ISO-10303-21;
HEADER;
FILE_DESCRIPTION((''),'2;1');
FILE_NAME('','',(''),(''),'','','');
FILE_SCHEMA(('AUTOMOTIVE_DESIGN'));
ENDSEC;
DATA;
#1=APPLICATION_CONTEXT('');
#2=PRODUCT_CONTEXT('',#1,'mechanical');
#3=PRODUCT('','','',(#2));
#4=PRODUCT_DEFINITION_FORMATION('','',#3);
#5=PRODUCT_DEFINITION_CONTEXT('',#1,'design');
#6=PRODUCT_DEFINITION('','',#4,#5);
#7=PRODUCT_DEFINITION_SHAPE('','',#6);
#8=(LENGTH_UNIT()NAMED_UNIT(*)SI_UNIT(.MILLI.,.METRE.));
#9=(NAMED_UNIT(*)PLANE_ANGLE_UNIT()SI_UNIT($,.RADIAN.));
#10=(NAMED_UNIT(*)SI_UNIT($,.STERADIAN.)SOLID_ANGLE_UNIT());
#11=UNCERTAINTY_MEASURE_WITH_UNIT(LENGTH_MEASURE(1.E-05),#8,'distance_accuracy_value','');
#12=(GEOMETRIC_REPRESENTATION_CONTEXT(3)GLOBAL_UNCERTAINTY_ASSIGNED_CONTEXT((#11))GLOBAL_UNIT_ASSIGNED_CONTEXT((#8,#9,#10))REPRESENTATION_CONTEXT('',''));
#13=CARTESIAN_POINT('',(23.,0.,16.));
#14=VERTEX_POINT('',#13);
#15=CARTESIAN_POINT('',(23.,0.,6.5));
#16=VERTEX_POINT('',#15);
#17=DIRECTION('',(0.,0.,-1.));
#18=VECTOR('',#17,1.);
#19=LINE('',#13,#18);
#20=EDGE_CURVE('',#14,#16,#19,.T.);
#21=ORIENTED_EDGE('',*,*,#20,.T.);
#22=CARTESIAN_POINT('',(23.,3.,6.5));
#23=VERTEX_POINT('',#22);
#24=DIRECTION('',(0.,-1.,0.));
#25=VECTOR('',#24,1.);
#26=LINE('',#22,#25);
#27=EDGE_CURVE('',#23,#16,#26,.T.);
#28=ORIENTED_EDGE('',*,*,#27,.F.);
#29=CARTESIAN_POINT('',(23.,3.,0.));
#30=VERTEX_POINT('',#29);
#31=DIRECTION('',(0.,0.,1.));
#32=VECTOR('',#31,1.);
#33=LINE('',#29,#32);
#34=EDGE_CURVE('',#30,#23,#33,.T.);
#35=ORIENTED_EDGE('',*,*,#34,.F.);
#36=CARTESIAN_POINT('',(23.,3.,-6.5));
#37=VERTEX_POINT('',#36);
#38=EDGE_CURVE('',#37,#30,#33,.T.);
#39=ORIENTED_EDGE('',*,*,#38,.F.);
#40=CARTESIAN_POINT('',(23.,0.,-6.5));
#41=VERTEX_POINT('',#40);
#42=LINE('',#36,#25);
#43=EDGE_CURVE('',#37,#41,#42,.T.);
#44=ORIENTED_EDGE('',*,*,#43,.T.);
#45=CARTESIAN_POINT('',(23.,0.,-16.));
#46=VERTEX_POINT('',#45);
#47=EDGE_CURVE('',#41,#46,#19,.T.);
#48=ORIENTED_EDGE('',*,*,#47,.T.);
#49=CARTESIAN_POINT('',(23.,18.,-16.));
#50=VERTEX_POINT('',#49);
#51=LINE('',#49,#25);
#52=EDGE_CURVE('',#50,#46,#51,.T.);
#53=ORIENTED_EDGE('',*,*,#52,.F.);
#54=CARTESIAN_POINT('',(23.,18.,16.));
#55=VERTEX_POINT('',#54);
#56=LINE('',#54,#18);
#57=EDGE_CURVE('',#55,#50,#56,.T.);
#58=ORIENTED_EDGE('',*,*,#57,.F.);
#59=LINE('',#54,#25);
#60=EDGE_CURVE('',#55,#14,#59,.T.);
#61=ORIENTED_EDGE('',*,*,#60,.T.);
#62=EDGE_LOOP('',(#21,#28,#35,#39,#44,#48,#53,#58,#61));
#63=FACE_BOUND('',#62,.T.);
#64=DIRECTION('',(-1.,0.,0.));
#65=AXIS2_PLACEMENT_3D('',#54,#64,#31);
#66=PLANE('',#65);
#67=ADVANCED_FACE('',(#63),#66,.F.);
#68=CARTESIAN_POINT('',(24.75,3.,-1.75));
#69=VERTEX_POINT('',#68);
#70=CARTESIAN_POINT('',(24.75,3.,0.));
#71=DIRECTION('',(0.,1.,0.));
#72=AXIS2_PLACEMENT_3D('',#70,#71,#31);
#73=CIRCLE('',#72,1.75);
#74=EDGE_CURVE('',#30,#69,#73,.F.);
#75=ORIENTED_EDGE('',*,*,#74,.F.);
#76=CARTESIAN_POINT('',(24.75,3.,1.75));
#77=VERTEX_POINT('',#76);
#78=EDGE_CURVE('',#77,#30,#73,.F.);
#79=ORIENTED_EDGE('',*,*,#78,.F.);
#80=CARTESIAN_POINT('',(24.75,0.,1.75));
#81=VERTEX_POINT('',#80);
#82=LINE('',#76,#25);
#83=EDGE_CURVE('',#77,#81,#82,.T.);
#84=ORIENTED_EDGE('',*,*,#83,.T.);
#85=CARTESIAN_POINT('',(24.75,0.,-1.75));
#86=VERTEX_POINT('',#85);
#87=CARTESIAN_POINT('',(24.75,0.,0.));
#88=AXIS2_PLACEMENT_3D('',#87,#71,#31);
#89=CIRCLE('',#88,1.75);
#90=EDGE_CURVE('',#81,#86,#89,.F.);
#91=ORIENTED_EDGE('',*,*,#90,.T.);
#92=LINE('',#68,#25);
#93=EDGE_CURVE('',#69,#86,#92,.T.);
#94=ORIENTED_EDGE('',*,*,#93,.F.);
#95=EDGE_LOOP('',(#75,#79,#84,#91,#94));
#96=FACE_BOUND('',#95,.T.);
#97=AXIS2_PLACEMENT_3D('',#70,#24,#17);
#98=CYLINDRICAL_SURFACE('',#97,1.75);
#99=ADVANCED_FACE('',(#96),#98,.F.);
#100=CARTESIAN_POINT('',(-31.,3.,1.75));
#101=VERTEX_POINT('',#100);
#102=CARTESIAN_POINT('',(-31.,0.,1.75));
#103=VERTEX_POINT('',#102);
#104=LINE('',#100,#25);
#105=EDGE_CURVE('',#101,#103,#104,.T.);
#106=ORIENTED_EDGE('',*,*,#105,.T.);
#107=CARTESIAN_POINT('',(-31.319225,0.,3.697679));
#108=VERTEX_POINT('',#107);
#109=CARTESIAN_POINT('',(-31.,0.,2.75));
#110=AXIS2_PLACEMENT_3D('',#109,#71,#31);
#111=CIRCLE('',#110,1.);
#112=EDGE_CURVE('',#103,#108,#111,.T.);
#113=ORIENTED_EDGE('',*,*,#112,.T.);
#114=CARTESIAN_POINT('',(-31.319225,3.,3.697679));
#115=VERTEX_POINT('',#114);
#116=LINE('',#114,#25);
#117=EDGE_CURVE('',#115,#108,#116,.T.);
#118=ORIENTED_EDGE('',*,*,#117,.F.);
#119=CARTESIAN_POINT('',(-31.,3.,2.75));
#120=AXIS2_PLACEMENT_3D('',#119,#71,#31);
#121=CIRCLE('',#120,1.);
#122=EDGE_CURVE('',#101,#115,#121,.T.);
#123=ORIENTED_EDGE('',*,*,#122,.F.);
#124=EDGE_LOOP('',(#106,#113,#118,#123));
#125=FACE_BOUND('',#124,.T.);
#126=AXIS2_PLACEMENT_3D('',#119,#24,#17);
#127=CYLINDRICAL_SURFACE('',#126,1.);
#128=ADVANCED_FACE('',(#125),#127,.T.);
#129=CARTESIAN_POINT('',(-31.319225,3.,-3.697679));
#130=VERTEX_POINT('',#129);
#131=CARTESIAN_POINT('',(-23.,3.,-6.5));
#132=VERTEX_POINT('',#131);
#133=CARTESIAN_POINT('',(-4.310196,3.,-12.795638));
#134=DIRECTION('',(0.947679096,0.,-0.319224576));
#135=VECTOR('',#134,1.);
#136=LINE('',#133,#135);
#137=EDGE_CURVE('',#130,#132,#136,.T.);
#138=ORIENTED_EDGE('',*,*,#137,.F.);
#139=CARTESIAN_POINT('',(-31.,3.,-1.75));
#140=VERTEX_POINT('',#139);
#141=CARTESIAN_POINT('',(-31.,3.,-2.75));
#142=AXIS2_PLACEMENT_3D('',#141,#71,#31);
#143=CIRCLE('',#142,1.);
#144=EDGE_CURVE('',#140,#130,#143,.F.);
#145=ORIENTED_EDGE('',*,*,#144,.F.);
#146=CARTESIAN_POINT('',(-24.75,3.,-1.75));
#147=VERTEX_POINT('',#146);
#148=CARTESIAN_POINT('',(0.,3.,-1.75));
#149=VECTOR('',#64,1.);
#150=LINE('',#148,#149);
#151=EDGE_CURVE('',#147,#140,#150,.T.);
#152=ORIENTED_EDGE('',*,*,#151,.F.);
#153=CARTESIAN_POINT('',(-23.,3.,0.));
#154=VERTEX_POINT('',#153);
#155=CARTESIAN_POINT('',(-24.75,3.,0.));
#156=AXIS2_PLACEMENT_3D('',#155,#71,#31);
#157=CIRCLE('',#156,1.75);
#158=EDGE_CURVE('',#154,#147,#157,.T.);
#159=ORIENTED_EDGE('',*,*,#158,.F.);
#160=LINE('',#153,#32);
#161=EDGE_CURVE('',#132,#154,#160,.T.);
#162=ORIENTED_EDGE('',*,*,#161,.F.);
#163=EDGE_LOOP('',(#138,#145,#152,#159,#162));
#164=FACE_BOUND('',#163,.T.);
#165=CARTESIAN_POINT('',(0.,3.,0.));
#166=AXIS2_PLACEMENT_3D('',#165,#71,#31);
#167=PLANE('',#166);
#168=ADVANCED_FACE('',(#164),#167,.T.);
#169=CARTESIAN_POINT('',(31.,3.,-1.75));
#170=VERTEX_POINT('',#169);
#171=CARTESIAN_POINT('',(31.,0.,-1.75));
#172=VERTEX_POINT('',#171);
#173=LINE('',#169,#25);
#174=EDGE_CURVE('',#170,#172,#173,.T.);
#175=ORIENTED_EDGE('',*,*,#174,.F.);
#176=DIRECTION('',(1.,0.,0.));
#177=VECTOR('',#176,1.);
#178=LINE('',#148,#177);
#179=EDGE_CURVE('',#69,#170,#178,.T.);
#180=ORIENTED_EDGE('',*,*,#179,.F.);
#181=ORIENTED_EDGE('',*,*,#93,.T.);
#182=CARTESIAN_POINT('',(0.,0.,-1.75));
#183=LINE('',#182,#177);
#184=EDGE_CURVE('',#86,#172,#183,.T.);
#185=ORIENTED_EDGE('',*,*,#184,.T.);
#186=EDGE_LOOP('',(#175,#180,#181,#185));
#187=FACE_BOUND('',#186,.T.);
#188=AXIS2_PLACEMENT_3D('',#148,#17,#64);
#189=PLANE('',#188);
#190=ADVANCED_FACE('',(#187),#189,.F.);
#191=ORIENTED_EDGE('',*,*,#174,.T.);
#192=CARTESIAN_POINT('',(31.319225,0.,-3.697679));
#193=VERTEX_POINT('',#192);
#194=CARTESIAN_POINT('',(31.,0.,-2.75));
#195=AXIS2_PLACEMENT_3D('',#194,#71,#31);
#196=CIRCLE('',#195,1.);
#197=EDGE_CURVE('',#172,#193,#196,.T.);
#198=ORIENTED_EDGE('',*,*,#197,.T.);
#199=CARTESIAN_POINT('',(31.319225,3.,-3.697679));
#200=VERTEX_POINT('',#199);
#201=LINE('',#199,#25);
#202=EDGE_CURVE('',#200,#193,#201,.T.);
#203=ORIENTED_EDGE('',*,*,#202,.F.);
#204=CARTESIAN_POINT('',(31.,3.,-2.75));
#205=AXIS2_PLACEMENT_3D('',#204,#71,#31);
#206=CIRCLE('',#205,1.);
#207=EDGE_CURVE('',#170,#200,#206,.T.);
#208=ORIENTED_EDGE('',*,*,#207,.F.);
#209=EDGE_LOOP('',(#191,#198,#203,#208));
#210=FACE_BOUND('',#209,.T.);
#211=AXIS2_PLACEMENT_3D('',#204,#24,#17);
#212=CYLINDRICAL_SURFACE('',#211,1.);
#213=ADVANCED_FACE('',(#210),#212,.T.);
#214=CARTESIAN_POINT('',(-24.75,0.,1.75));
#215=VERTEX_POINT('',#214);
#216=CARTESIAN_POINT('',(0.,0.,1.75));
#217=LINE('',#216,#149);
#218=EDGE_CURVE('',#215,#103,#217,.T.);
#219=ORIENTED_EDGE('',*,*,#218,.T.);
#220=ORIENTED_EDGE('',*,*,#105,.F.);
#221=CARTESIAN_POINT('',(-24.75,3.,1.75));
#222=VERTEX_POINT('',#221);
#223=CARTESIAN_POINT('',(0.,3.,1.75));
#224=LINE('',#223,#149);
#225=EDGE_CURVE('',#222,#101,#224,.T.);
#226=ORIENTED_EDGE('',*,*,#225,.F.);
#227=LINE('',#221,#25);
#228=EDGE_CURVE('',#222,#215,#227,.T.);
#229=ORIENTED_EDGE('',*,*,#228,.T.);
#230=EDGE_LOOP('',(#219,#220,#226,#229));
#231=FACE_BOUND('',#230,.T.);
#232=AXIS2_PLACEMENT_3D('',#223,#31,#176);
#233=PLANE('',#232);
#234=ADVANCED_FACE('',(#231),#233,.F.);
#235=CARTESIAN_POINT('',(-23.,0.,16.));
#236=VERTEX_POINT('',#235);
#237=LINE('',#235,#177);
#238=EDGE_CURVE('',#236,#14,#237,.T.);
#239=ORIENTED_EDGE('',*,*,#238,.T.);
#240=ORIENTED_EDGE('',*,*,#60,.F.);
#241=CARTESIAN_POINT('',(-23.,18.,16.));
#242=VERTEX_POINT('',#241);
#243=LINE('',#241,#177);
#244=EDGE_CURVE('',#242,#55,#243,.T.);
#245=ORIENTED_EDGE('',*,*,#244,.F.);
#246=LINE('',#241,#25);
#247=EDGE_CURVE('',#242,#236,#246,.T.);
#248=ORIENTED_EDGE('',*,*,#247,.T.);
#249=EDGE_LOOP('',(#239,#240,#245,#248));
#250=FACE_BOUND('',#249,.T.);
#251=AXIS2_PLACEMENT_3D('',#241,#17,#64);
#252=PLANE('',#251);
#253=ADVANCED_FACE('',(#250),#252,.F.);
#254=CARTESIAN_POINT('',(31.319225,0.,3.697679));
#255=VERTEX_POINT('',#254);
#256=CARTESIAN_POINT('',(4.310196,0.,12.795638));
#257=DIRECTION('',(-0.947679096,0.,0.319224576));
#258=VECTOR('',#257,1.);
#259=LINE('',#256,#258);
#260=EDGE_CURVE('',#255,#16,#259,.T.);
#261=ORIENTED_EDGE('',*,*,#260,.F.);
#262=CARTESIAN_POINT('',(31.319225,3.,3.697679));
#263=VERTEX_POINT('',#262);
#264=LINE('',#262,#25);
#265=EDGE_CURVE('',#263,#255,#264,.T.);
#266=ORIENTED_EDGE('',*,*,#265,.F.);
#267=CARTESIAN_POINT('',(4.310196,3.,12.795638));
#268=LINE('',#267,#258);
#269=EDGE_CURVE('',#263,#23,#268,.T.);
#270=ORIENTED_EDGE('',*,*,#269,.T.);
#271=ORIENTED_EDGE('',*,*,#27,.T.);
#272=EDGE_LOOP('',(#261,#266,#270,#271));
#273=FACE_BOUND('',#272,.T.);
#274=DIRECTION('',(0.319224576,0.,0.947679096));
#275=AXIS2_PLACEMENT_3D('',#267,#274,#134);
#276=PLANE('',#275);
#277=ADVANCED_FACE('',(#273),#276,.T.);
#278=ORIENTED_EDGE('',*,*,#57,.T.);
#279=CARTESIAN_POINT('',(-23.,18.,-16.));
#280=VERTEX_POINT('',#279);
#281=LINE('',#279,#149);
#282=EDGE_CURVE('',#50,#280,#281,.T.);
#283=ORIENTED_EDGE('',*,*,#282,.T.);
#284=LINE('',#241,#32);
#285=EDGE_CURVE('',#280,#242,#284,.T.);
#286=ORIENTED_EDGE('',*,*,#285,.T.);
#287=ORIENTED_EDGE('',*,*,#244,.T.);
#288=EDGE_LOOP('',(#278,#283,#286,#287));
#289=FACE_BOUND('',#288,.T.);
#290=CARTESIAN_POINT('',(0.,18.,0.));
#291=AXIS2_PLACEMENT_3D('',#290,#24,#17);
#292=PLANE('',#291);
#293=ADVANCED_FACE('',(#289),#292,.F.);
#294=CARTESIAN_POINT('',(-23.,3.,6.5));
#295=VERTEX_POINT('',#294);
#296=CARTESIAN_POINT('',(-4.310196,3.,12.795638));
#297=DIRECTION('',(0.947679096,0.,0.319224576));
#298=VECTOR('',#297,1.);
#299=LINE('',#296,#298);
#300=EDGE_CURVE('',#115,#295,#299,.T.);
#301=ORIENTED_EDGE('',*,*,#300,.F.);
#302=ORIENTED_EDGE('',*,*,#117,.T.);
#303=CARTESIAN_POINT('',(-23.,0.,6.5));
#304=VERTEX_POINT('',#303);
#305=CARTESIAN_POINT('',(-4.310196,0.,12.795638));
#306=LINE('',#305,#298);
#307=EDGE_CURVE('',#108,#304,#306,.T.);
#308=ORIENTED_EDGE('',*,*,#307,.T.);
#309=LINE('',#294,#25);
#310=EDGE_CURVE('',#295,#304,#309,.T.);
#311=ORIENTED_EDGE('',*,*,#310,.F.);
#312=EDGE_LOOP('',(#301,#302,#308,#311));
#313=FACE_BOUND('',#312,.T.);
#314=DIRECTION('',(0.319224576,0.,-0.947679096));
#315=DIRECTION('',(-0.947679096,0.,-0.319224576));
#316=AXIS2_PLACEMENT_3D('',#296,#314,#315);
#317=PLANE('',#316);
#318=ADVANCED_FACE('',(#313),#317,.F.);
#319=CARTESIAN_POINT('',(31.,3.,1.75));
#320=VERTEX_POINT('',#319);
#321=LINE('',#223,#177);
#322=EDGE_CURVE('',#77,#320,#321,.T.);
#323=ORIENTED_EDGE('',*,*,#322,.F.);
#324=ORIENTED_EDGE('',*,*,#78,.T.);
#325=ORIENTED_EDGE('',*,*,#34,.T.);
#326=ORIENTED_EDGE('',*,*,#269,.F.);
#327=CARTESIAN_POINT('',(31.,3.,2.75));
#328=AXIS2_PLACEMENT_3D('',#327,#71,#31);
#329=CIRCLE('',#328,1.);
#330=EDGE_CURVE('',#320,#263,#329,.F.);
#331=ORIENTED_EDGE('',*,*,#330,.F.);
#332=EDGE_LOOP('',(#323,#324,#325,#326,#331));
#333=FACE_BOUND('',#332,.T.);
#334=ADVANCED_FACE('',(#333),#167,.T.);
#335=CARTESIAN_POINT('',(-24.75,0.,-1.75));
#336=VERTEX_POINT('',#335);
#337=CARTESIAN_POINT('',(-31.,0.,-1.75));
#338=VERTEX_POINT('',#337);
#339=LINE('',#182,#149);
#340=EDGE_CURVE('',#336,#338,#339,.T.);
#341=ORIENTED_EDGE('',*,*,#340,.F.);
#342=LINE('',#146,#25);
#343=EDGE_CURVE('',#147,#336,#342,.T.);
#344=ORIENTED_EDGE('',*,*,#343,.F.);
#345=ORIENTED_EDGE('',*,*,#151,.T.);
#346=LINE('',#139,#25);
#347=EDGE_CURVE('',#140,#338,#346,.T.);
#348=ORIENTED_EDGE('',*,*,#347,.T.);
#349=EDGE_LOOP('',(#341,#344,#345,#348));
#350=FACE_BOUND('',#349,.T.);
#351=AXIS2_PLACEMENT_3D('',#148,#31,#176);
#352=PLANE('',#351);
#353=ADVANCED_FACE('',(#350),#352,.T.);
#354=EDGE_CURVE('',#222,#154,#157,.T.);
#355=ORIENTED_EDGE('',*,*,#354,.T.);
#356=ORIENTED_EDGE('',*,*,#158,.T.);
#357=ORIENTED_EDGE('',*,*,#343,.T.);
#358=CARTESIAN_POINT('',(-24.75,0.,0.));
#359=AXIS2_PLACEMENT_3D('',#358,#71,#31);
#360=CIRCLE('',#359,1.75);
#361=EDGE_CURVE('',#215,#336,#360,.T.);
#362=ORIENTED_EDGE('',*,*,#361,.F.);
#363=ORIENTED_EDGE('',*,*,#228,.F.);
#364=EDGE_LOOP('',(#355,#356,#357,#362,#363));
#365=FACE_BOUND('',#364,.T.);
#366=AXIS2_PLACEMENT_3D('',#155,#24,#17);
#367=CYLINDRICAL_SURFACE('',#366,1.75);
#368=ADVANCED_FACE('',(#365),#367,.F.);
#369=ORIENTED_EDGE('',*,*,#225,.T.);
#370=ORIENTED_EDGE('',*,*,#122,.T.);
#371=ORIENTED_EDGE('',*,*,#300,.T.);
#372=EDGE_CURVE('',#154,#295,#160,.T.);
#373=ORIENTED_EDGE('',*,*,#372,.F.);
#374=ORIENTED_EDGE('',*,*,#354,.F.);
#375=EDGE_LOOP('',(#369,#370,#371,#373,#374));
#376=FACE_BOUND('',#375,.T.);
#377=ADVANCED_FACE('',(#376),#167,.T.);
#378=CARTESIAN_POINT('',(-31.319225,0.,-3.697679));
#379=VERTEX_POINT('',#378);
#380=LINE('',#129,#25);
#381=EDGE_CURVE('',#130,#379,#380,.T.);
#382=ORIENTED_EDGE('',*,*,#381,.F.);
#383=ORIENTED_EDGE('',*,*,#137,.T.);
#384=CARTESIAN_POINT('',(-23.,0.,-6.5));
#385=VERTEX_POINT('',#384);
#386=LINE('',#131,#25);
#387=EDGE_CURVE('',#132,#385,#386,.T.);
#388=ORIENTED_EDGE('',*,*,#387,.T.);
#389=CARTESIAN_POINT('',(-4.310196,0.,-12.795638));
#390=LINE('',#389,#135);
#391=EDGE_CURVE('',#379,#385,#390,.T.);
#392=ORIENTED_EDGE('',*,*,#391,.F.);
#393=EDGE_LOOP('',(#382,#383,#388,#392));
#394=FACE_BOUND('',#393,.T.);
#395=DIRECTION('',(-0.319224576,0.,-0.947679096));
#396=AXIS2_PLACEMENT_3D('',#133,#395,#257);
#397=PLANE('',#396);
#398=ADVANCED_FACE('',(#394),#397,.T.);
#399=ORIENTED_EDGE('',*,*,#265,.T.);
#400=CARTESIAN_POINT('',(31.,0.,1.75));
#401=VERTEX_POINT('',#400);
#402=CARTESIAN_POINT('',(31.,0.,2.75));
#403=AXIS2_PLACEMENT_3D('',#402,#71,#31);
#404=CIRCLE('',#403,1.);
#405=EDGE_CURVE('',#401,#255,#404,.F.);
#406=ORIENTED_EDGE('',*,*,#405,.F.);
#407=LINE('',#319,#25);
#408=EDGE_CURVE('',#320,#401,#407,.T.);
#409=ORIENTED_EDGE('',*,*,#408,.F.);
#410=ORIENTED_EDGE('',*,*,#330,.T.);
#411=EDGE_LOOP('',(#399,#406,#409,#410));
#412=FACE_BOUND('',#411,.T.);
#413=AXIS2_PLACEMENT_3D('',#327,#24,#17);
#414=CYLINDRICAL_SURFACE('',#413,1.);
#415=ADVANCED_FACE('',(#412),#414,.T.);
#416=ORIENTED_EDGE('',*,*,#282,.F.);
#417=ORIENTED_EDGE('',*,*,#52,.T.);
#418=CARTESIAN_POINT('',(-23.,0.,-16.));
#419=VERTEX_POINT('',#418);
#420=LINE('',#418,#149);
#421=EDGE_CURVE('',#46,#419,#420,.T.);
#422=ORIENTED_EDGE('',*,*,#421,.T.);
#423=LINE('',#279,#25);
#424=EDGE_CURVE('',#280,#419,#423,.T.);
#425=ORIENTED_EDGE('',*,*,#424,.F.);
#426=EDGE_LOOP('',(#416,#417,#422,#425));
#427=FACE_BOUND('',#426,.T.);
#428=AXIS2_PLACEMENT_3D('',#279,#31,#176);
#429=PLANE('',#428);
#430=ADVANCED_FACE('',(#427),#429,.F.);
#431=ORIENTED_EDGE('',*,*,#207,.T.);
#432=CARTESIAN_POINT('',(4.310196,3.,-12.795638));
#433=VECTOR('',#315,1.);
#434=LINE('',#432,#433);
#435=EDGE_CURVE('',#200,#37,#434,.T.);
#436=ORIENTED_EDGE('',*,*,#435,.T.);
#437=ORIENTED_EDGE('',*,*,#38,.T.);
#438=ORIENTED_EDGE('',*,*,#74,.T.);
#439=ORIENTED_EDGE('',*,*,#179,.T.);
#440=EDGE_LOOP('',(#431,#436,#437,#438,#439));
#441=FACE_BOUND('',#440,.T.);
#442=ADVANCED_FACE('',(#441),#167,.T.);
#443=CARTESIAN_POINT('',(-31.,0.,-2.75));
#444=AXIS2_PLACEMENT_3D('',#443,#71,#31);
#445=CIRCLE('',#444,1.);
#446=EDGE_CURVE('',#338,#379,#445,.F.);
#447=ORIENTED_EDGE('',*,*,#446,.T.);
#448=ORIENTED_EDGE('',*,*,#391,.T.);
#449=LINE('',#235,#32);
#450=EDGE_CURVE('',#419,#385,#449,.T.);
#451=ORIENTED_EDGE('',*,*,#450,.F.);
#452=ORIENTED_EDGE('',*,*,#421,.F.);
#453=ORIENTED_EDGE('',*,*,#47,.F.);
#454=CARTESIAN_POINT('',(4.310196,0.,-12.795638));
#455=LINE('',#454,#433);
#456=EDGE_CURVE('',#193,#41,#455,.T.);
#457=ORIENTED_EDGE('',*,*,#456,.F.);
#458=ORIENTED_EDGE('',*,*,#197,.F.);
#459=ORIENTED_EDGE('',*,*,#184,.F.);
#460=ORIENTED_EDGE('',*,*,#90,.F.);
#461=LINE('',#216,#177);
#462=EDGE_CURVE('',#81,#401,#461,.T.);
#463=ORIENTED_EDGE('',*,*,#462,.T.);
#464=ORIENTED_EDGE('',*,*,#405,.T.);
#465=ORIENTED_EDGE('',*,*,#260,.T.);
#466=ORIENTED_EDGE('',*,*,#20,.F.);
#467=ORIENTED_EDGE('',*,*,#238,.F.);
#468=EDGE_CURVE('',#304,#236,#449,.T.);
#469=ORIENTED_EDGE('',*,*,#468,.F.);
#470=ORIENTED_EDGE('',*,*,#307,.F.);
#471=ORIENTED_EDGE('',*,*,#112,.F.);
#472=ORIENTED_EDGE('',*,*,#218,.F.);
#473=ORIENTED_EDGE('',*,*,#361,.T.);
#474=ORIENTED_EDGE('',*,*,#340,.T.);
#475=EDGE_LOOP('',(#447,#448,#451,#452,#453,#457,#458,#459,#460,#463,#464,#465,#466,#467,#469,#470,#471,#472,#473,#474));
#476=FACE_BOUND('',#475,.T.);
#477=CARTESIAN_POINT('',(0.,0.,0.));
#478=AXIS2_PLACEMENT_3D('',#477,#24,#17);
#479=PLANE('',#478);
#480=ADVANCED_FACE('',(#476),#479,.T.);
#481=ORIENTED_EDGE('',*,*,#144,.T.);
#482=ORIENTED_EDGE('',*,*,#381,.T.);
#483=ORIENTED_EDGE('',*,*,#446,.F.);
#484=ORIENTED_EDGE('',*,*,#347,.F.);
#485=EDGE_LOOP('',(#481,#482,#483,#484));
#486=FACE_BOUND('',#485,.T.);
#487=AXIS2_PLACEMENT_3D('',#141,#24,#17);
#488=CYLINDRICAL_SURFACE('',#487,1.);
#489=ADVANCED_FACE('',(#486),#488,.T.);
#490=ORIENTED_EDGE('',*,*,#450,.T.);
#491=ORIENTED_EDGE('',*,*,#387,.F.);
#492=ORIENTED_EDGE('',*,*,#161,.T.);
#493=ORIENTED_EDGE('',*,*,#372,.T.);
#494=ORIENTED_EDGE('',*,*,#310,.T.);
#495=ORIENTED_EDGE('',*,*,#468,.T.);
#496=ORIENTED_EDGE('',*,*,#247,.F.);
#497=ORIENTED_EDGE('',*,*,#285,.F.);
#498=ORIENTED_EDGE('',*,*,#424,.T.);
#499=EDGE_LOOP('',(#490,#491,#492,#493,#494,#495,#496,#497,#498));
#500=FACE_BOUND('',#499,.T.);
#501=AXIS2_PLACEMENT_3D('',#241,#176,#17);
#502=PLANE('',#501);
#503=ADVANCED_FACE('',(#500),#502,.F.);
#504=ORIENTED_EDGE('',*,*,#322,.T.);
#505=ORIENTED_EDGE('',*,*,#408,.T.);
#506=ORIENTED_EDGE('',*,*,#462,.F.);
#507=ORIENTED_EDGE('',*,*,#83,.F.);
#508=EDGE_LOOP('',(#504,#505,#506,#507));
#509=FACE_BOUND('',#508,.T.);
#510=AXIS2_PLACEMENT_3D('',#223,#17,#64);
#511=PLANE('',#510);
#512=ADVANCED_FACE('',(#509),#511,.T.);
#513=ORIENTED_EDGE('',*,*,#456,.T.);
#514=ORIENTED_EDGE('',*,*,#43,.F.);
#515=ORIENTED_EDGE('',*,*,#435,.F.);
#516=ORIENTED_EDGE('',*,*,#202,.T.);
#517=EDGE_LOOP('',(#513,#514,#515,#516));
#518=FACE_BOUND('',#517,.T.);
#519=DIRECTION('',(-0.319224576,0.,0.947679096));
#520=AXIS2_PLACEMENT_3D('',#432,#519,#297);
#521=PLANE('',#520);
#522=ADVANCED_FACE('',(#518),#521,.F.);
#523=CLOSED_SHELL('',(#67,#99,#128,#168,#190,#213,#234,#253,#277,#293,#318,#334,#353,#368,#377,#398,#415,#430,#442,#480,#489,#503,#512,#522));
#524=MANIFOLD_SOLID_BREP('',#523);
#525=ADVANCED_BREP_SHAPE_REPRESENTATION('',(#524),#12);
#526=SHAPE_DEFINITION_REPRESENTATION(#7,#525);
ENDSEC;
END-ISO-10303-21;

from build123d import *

# Parameters (mm, degrees)
SKETCH1_W           = 46
SKETCH1_H           = 32
BOSS_EXTRUDE1_DEPTH = 18
BOSS_EXTRUDE2_DEPTH = 3


with BuildPart() as part:
    # Sketch1 → Boss-Extrude1 (new body)
    with BuildSketch(Plane(origin=(0, 0, 0), x_dir=(1, 0, 0), z_dir=(0, 1, 0))):
        Rectangle(SKETCH1_W, SKETCH1_H)
    extrude(amount=BOSS_EXTRUDE1_DEPTH)

    # Sketch2 → Boss-Extrude2 (add)
    with BuildSketch(Plane(origin=(0, 0, 0), x_dir=(1, 0, 0), z_dir=(0, 1, 0))):
        with BuildLine():
            Line((-31, 1.75), (-24.75, 1.75))
            ThreePointArc((-24.75, 1.75), (-23.512563133, 1.237436867), (-23, 0))
            Line((-23, 0), (-23, 6.5))
            Line((-23, 6.5), (-31.319224576, 3.697679096))
            ThreePointArc((-31.319224576, 3.697679096), (-31.98683309, 2.58825807), (-31, 1.75))
        make_face()
        with BuildLine():
            Line((-23, -6.5), (-23, 0))
            ThreePointArc((-23, 0), (-23.512563133, -1.237436867), (-24.75, -1.75))
            Line((-24.75, -1.75), (-31, -1.75))
            ThreePointArc((-31, -1.75), (-31.98683309, -2.58825807), (-31.319224576, -3.697679096))
            Line((-31.319224576, -3.697679096), (-23, -6.5))
        make_face()
        with BuildLine():
            Line((31.319224576, 3.697679096), (23, 6.5))
            Line((23, 6.5), (23, 0))
            ThreePointArc((23, 0), (23.512563133, 1.237436867), (24.75, 1.75))
            Line((24.75, 1.75), (31, 1.75))
            ThreePointArc((31, 1.75), (31.98683309, 2.58825807), (31.319224576, 3.697679096))
        make_face()
        with BuildLine():
            ThreePointArc((24.75, -1.75), (23.512563133, -1.237436867), (23, 0))
            Line((23, 0), (23, -6.5))
            Line((23, -6.5), (31.319224576, -3.697679096))
            ThreePointArc((31.319224576, -3.697679096), (31.98683309, -2.58825807), (31, -1.75))
            Line((31, -1.75), (24.75, -1.75))
        make_face()
    extrude(amount=BOSS_EXTRUDE2_DEPTH)


solid = part.part
